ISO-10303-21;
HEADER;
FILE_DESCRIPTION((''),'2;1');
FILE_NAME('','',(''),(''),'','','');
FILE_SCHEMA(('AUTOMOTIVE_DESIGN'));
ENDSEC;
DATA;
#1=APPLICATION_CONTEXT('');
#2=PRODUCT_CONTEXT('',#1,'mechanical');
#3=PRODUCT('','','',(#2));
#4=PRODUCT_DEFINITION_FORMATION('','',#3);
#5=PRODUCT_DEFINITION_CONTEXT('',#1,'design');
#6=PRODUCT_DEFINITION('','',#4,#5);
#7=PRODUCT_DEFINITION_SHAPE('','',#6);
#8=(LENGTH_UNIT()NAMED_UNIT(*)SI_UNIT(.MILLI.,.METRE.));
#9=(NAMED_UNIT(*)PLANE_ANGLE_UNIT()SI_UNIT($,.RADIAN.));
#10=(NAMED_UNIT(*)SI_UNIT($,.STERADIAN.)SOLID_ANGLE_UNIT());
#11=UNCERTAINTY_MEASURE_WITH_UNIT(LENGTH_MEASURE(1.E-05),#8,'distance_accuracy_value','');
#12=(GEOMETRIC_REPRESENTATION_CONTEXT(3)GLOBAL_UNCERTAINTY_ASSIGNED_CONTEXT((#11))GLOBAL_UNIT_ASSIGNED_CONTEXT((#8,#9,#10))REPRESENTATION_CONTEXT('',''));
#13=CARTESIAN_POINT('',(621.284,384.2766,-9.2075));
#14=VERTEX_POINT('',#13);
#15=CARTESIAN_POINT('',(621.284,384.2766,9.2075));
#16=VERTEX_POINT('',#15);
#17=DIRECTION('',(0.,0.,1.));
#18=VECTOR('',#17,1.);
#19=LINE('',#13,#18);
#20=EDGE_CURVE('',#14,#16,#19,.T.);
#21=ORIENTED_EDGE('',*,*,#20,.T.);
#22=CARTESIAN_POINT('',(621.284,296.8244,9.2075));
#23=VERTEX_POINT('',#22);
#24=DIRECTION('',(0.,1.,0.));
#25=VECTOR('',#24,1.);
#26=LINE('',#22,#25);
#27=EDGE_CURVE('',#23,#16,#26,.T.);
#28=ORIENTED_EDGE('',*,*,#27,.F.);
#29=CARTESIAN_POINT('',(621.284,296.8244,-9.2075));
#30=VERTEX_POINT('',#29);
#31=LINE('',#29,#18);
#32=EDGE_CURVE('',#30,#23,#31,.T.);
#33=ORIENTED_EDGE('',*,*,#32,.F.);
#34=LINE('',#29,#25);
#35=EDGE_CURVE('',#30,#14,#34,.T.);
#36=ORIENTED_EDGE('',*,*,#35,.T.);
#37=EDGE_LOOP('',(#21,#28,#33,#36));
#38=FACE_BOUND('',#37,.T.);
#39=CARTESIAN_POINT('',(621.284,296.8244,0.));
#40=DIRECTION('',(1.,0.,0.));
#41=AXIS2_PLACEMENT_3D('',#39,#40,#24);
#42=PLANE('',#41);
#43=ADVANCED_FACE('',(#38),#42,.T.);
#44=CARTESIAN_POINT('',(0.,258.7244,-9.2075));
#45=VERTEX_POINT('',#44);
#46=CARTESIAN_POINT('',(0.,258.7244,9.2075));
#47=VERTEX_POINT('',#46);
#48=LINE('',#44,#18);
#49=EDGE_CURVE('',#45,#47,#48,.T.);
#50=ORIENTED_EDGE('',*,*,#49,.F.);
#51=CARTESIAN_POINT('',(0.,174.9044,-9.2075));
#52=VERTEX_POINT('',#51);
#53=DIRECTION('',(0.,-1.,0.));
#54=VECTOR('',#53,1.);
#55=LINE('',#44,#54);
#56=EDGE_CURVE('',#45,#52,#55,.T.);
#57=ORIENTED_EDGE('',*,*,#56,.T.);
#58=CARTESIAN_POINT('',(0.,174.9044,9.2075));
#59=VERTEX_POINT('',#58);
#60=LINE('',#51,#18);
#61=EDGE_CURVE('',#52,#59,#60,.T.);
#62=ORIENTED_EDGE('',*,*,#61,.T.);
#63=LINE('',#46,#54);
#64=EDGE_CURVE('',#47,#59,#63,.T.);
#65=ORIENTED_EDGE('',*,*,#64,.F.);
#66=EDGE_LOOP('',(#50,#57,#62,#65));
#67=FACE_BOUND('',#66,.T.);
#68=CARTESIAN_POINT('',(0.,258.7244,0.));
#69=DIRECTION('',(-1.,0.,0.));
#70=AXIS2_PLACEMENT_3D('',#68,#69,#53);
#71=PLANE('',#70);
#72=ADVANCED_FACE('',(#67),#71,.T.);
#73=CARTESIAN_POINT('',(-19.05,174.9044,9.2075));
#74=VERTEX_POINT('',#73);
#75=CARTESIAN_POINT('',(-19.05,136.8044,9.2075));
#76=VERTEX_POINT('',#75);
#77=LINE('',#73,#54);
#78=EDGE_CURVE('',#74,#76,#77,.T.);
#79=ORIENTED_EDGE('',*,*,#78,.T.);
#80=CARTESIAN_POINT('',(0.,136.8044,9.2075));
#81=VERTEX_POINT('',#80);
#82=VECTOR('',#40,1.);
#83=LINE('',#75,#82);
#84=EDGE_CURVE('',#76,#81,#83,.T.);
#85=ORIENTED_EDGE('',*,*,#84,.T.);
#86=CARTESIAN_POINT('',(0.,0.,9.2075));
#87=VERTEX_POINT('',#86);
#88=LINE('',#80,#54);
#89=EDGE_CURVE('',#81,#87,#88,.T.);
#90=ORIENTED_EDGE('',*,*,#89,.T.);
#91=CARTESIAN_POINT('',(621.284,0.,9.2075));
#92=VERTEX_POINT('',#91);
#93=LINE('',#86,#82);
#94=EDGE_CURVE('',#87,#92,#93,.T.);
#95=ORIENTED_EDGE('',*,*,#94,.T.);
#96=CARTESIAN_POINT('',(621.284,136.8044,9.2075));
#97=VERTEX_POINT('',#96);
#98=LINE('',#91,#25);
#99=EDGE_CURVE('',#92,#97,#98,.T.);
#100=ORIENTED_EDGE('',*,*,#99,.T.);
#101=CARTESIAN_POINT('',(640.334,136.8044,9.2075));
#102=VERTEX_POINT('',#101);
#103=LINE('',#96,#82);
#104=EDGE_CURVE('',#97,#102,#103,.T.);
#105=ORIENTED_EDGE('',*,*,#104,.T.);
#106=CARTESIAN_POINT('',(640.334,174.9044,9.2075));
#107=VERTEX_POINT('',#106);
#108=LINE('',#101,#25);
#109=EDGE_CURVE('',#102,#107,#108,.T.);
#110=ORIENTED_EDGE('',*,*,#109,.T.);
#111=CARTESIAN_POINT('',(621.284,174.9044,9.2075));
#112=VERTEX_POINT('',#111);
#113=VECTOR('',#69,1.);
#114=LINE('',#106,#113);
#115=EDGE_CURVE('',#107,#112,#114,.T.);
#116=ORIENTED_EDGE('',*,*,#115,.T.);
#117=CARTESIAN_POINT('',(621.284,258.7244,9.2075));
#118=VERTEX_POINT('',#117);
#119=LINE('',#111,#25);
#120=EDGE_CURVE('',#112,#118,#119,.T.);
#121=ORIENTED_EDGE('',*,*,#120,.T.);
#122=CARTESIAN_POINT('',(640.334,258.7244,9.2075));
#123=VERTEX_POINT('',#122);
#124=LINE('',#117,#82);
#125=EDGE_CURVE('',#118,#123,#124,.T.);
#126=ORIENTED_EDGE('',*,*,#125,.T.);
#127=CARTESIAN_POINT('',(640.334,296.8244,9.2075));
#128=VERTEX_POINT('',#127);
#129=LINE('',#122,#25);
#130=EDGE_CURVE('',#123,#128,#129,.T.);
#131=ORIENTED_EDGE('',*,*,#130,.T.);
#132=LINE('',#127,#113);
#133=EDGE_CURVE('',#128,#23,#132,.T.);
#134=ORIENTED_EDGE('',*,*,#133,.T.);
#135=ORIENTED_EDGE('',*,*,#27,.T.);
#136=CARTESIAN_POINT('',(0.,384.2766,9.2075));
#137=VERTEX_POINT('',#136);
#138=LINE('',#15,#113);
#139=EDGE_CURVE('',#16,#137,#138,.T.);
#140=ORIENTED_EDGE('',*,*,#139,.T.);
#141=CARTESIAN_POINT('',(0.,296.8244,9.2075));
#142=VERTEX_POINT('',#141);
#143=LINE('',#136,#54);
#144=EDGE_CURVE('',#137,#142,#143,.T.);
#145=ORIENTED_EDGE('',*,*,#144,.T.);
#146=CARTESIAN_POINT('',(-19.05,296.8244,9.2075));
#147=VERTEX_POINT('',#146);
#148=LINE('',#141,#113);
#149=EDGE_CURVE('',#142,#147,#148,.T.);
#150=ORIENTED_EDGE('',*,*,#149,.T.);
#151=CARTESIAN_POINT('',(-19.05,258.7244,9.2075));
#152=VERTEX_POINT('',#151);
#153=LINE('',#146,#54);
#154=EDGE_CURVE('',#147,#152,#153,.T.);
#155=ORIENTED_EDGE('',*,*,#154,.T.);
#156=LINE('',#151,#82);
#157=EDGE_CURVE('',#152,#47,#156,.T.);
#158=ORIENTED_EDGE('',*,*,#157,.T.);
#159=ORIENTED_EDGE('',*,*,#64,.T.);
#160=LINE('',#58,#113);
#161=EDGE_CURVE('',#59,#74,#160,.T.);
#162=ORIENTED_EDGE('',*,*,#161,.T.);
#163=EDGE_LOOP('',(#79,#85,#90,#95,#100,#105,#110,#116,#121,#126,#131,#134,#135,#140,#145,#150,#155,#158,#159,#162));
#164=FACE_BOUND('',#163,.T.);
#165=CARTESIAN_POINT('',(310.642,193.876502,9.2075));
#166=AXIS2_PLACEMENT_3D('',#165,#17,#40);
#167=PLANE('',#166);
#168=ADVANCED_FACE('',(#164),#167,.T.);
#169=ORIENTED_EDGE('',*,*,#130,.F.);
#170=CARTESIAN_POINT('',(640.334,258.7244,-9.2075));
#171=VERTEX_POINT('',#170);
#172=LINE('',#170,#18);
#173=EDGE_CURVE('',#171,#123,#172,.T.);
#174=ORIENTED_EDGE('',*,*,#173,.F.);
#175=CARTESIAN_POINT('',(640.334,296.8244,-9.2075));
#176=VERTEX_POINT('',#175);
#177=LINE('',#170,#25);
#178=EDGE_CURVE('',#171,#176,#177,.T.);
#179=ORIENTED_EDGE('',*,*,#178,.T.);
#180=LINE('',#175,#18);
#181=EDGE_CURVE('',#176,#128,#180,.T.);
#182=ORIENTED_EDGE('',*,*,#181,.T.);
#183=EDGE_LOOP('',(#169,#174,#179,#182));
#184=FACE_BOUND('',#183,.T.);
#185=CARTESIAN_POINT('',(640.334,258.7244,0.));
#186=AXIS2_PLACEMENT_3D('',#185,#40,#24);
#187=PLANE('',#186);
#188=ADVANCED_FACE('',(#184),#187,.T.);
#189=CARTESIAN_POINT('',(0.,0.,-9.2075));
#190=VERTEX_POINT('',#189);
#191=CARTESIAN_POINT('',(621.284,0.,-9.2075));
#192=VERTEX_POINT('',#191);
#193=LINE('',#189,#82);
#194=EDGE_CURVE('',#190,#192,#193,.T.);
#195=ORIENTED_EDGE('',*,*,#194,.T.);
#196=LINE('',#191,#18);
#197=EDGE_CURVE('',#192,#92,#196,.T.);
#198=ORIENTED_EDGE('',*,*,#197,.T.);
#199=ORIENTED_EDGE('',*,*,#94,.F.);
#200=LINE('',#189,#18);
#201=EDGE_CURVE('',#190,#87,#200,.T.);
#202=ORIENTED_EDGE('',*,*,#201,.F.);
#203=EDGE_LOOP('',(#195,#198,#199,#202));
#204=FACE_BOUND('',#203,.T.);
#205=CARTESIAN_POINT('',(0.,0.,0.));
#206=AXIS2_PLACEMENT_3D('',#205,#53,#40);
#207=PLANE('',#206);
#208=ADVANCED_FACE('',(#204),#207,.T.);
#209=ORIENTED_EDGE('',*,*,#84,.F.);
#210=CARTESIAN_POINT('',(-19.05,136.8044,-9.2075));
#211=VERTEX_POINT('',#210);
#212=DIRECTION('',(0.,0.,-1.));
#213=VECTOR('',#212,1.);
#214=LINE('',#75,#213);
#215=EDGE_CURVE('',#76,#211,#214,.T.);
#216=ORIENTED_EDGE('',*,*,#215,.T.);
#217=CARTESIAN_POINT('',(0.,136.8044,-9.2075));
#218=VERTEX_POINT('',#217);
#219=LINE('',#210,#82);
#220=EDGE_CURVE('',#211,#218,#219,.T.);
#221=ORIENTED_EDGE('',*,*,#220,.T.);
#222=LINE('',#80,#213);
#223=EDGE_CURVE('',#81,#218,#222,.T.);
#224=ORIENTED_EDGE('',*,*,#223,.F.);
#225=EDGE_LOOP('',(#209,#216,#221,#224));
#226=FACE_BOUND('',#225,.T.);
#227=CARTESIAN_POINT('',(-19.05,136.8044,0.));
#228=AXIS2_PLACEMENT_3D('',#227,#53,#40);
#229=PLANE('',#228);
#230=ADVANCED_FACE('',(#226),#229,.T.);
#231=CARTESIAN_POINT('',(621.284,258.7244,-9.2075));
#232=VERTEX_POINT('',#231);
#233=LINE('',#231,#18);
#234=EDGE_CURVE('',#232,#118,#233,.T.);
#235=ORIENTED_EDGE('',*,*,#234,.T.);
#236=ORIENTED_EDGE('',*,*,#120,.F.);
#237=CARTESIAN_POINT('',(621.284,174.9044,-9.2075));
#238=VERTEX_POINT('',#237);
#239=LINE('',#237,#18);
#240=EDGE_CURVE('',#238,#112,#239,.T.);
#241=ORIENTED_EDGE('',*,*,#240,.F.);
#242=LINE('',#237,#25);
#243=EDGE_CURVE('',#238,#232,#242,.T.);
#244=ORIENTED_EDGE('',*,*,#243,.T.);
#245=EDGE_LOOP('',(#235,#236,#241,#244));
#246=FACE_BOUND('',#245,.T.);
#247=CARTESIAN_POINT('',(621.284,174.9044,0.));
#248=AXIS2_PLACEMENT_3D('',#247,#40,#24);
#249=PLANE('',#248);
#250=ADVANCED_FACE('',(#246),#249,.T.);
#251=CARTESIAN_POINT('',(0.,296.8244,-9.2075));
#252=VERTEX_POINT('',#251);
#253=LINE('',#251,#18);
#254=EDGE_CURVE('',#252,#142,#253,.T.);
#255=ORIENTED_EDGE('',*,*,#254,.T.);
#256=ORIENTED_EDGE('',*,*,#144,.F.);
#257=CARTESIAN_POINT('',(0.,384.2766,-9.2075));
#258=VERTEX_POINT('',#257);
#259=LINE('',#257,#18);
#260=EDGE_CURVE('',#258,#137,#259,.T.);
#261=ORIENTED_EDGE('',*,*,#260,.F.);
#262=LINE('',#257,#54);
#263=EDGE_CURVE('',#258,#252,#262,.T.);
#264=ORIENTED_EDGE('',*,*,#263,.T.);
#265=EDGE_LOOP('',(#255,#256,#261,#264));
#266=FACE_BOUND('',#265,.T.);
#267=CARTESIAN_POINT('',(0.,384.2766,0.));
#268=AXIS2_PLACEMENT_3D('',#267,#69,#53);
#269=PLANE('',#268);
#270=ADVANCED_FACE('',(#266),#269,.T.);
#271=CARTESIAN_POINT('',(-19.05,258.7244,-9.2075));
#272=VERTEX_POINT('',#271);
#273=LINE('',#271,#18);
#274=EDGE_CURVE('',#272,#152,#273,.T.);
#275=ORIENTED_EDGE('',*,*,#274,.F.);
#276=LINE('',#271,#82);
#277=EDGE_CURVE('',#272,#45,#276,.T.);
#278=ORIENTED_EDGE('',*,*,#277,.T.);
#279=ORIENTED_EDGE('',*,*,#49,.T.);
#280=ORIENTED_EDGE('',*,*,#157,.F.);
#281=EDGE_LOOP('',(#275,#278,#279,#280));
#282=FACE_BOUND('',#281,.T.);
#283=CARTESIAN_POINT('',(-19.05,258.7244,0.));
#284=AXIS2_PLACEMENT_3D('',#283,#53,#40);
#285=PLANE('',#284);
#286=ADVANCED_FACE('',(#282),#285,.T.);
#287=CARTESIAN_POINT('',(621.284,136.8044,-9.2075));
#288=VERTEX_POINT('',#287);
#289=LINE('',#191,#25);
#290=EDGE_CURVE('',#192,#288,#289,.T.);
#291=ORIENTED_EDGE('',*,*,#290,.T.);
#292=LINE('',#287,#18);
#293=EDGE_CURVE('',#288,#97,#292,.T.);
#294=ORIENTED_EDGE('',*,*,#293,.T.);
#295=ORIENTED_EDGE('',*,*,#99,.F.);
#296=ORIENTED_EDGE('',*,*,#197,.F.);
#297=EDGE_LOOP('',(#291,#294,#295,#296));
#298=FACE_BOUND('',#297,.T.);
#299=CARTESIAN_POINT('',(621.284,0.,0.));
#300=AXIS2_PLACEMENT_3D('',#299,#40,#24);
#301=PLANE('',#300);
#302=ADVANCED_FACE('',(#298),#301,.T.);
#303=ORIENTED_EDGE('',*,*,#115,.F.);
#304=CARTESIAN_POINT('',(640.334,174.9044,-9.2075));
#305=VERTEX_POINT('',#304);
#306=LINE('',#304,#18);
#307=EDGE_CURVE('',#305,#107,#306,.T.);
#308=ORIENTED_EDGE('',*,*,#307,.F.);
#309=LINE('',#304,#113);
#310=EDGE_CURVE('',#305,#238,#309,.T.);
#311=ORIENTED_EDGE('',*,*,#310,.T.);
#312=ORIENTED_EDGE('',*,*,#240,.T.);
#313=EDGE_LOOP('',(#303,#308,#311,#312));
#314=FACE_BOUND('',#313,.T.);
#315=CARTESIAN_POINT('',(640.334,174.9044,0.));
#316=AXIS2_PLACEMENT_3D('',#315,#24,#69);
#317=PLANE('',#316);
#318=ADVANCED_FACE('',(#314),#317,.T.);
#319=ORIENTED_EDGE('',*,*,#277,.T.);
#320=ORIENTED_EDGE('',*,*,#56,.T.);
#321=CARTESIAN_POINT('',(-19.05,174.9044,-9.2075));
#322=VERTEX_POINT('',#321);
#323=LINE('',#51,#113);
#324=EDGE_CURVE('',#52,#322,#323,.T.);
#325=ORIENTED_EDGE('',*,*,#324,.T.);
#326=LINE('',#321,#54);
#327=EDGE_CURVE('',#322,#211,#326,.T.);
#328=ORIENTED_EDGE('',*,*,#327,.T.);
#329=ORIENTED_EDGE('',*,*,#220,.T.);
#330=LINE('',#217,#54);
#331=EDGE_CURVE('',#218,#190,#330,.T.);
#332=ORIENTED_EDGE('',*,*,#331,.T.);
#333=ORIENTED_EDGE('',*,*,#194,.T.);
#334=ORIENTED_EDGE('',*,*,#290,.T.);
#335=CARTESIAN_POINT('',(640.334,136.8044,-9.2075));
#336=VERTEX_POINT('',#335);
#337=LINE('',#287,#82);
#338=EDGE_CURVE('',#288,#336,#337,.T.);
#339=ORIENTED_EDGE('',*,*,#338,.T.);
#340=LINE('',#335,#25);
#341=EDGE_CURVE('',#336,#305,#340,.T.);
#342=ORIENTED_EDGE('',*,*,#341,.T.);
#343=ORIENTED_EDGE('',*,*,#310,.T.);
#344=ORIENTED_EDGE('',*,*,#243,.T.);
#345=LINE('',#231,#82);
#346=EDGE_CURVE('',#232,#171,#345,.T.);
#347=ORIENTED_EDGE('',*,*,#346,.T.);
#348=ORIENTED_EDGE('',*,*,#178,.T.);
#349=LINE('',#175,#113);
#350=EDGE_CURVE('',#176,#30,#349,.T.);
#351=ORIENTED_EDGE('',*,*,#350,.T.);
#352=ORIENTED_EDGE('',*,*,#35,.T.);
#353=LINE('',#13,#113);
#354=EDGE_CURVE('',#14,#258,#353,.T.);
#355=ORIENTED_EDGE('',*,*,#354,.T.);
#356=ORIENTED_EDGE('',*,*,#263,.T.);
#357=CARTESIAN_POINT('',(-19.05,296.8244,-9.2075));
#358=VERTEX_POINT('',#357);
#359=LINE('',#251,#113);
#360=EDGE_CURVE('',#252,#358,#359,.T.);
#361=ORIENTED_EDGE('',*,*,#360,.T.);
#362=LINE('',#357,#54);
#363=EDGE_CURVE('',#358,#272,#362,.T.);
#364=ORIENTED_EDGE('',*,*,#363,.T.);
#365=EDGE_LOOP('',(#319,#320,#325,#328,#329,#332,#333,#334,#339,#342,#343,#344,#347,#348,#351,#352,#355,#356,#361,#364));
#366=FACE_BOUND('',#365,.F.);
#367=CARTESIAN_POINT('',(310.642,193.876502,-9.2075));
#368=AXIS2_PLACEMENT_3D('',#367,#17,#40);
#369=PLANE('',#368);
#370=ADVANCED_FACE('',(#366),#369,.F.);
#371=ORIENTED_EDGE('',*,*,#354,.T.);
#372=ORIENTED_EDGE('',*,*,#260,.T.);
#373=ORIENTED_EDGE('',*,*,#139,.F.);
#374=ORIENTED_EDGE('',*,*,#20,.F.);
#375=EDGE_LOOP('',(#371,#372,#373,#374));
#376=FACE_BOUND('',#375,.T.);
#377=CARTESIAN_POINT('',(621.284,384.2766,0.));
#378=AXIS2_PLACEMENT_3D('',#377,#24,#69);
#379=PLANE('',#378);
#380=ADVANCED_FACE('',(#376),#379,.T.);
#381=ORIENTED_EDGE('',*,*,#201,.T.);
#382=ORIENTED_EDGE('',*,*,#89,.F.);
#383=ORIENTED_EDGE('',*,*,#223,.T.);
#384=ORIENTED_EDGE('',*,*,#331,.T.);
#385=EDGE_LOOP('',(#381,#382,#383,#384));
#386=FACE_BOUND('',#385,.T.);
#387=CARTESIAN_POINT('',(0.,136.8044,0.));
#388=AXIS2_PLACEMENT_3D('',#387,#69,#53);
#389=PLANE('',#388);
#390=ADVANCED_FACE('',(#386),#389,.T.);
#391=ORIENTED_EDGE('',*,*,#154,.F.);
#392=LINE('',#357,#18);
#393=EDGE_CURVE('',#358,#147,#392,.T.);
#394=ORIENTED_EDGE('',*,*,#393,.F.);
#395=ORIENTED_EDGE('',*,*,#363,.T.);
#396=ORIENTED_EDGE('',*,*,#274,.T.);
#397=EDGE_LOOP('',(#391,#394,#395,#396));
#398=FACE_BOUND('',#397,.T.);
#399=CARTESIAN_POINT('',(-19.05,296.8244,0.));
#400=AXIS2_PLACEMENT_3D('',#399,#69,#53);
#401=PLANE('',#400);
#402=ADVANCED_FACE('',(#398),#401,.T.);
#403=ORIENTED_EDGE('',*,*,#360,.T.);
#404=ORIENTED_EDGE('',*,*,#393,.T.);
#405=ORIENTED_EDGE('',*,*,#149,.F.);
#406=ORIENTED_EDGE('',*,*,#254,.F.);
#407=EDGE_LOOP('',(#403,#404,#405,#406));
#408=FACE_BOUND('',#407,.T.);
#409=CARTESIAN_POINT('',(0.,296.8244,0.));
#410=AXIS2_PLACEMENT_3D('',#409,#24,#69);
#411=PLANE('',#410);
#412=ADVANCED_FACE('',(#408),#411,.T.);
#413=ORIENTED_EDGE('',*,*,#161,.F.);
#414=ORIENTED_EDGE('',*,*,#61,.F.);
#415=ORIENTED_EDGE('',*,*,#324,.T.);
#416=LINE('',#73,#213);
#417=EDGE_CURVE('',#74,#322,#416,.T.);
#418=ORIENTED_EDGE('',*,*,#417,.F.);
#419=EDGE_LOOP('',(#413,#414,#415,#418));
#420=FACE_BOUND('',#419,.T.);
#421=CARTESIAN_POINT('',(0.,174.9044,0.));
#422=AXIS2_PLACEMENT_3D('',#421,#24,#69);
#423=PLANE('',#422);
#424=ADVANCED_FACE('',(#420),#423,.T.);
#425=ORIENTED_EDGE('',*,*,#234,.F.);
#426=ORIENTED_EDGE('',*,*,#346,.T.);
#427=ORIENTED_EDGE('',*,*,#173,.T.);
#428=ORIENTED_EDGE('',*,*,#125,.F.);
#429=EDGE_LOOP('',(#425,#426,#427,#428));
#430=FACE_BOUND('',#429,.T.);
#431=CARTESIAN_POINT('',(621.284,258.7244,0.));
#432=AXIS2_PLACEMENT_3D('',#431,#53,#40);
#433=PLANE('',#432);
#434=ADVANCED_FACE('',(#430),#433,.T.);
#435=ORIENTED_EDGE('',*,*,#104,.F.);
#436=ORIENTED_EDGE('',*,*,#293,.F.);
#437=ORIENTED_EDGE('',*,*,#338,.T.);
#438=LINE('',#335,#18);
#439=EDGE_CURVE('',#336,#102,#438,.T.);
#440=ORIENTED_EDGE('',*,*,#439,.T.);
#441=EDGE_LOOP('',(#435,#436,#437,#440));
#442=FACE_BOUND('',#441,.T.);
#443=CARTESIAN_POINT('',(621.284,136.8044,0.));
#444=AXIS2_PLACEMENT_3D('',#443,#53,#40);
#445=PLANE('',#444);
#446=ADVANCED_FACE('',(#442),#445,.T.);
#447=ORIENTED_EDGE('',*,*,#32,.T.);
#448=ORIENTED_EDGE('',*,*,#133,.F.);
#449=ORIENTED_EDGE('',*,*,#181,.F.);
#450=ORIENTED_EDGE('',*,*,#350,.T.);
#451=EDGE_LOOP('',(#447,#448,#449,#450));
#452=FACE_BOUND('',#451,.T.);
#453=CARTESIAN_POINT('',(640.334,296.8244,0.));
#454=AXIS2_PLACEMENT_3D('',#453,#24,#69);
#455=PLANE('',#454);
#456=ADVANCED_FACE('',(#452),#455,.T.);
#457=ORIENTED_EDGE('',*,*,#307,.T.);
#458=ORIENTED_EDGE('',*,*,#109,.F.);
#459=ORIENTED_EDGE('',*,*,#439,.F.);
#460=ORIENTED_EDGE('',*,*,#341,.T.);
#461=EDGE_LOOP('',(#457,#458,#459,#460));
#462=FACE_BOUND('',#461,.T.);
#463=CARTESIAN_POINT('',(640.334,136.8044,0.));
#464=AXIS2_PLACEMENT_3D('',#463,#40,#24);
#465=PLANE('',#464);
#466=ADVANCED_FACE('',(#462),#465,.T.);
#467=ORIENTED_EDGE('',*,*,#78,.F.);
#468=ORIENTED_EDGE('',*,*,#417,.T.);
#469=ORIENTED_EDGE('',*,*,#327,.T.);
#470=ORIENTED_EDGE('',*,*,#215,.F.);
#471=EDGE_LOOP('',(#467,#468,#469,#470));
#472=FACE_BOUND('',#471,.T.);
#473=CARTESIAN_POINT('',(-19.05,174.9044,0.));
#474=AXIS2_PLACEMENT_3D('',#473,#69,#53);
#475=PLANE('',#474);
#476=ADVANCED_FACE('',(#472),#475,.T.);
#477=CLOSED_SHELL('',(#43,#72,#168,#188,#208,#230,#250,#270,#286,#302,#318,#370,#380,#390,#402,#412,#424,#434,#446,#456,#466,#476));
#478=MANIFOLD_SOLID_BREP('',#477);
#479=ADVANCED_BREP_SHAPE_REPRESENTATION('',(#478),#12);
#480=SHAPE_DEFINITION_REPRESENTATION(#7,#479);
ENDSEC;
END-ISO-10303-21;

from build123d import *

# Parameters (mm, degrees)
F1_DEPTH = 9.2075


with BuildPart() as f1:
    # F0 (on Top) → F1 (new body, symmetric)
    with BuildSketch(Plane.XY):
        Polygon((0, 136.8044), (0, 0), (621.284, 0), (621.284, 136.8044), (640.334, 136.8044), (640.334, 174.9044), (621.284, 174.9044), (621.284, 258.7244), (640.334, 258.7244), (640.334, 296.8244), (621.284, 296.8244), (621.284, 384.2766), (0, 384.2766), (0, 296.8244), (-19.05, 296.8244), (-19.05, 258.7244), (0, 258.7244), (0, 174.9044), (-19.05, 174.9044), (-19.05, 136.8044), align=None)
    extrude(amount=F1_DEPTH, both=True)


solid = f1.part
